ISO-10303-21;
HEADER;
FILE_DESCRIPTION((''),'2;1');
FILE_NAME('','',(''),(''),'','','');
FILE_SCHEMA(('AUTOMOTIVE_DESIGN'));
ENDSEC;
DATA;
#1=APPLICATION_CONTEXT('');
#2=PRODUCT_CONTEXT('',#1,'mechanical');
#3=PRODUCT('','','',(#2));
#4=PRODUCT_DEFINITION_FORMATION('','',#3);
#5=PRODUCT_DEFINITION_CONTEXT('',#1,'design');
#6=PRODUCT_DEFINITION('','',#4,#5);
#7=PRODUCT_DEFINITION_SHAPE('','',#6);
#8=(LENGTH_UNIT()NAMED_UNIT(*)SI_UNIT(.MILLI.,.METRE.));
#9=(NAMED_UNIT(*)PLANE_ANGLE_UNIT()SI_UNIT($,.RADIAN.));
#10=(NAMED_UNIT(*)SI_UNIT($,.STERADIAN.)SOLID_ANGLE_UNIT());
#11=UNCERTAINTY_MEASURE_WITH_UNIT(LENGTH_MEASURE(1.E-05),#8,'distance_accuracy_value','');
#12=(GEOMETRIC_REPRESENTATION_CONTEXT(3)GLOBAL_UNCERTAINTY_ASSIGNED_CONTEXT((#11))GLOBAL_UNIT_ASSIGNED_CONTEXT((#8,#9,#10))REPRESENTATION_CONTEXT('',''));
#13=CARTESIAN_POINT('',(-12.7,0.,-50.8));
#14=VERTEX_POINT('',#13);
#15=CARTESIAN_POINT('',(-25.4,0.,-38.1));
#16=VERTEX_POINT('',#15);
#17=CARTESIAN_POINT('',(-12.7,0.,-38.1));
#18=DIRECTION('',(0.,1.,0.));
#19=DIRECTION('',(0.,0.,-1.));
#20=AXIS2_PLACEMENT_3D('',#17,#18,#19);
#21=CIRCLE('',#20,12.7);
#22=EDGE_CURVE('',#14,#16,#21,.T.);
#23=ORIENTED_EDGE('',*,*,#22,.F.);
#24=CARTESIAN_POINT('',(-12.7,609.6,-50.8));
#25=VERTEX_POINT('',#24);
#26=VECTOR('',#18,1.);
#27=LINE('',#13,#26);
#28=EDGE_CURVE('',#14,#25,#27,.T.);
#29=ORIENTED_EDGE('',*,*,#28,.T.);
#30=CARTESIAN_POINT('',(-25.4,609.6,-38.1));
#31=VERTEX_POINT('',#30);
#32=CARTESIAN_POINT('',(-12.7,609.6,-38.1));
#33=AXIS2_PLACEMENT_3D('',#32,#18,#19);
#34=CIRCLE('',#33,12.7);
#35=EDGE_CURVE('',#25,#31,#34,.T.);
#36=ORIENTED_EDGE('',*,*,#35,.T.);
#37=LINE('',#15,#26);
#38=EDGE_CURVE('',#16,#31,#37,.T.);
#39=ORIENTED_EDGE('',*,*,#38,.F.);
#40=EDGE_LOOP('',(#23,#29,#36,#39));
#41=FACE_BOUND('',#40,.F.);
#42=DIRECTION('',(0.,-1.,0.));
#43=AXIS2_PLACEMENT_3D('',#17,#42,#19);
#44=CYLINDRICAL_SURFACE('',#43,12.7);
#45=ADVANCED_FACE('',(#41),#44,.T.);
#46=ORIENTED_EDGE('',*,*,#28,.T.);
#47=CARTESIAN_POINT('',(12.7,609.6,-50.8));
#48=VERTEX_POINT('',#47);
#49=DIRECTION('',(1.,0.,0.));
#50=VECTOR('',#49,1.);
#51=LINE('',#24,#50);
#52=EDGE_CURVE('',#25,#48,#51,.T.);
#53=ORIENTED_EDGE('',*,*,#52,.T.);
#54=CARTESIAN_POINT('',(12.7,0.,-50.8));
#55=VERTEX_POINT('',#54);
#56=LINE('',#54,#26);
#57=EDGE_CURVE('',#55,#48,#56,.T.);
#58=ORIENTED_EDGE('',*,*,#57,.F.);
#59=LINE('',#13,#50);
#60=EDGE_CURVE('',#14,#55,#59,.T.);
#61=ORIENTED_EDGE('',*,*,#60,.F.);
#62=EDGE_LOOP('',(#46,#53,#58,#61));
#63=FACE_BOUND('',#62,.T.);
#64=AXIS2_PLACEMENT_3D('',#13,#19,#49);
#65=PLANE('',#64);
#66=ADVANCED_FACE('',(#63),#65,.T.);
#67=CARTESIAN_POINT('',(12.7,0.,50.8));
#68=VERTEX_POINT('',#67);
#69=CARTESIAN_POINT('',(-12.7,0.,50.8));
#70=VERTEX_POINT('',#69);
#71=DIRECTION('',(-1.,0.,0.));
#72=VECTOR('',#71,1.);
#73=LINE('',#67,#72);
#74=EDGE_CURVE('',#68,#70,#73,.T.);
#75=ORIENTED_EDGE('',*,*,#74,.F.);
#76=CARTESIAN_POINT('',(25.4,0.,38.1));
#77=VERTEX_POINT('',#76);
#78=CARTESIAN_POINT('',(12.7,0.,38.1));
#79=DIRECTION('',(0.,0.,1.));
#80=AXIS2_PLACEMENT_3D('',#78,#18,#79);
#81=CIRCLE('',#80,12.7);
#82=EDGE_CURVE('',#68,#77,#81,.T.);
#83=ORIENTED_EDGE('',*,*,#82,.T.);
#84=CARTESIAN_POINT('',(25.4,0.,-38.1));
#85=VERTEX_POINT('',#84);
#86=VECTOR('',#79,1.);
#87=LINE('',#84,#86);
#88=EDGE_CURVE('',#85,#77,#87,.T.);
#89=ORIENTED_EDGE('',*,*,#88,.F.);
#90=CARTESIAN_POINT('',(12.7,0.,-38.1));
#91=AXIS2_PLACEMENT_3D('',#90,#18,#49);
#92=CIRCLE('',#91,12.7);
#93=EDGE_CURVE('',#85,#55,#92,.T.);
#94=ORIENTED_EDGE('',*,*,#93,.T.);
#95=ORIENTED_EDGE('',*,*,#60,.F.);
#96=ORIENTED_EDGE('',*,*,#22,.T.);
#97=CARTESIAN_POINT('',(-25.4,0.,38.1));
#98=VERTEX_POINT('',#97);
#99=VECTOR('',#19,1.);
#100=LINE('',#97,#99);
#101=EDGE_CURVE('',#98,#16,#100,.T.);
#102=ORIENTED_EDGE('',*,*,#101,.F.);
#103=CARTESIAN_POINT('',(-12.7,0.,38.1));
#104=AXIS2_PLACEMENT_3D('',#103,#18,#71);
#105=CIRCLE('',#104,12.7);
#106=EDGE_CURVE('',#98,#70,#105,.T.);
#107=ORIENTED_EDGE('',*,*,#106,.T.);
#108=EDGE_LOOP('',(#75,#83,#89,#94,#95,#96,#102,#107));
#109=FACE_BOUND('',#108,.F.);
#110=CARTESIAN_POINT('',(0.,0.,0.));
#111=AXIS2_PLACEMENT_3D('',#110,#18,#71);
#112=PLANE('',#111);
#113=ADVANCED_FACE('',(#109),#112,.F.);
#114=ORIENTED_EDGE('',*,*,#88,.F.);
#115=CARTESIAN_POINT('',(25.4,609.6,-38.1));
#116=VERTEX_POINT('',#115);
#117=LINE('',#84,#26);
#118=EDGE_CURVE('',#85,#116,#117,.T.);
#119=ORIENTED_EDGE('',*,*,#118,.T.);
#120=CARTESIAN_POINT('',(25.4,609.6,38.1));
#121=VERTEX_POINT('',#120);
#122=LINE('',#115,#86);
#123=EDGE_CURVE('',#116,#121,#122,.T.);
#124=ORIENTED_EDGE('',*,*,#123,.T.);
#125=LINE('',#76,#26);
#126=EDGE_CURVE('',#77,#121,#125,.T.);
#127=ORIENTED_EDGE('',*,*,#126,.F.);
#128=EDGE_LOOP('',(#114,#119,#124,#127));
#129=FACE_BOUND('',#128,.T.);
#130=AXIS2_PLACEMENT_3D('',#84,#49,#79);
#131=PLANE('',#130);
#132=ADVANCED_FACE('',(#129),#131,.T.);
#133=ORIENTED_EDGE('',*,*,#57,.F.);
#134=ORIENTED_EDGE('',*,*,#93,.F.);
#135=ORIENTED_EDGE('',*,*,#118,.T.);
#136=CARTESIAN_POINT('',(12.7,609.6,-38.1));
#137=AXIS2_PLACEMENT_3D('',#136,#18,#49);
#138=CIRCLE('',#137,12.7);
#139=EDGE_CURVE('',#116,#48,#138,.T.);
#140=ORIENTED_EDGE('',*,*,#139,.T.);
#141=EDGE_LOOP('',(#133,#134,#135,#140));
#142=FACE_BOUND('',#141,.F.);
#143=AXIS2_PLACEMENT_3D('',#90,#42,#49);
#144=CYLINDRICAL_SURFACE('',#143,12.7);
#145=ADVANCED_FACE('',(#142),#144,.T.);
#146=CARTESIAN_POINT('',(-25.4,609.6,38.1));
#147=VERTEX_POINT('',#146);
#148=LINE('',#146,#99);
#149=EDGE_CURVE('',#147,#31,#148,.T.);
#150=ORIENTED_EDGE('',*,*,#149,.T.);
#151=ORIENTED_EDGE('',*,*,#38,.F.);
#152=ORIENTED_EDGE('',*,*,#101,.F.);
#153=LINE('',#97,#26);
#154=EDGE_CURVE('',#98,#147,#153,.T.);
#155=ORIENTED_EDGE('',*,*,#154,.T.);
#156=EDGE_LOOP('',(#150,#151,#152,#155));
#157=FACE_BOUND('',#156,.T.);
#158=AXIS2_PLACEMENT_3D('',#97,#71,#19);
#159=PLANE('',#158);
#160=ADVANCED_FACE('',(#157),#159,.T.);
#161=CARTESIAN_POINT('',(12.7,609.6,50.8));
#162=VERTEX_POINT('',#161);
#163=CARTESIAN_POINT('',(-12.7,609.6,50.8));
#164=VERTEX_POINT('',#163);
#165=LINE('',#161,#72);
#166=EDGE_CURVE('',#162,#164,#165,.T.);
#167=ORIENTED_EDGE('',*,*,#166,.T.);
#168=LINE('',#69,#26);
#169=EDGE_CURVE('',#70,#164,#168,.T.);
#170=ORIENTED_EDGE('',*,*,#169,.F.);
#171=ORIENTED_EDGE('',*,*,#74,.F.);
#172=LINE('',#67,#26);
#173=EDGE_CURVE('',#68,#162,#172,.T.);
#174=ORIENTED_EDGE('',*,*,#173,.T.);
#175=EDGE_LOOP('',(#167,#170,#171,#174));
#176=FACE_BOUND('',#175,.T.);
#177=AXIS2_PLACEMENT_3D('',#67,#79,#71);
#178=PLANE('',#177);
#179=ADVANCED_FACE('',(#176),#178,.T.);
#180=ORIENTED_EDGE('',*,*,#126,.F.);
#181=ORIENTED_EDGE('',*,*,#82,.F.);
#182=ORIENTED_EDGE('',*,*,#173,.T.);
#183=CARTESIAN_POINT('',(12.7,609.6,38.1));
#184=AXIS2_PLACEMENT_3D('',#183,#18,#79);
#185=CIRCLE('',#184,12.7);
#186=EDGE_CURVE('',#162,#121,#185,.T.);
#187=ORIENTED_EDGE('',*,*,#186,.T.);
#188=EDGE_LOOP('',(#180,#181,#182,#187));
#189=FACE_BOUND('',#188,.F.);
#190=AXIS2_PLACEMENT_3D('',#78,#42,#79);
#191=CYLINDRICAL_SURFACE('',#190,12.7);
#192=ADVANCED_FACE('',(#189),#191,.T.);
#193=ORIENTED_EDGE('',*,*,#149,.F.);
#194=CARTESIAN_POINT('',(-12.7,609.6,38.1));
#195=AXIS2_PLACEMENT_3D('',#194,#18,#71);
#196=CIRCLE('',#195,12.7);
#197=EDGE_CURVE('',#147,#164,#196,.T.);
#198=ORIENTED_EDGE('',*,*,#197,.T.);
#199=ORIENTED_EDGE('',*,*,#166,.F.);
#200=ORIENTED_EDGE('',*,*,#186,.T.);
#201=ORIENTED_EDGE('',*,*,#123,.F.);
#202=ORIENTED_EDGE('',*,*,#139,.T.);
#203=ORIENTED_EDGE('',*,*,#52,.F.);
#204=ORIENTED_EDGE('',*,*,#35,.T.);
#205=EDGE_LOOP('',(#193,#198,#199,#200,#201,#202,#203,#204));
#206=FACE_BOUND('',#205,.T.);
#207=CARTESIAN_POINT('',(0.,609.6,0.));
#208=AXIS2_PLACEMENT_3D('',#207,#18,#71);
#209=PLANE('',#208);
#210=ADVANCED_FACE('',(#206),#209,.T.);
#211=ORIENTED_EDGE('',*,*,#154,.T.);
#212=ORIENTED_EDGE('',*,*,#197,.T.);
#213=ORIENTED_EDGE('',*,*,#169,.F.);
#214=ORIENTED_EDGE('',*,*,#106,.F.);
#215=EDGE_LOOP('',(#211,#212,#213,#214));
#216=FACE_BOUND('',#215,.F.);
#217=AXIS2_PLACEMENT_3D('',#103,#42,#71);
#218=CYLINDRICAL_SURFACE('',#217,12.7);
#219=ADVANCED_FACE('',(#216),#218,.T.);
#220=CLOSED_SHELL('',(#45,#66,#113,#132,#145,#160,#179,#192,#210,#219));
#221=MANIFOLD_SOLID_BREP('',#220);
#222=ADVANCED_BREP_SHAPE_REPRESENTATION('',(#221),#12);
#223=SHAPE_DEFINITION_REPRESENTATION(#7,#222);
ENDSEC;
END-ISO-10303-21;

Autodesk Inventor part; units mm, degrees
ref_plane "YZ Plane" through (0, 0, 0) normal (1, 0, 0) x (0, 1, 0)
ref_plane "XZ Plane" through (0, 0, 0) normal (0, 1, 0) x (-1, 0, 0)
ref_plane "XY Plane" through (0, 0, 0) normal (0, 0, 1) x (1, 0, 0)
sketch "Sketch1" plane through (0, 0, 0) normal (0, 1, 0) x (-1, 0, 0)
  line L0 (-12.7, 50.8) -> (12.7, 50.8)
  line L1 (25.4, 38.1) -> (25.4, -38.1)
  line L2 (12.7, -50.8) -> (-12.7, -50.8)
  line L3 (-25.4, -38.1) -> (-25.4, 38.1)
  line L4 (-25.4, 50.8) -> (25.4, -50.8) construction
  line L5 (25.4, 50.8) -> (-25.4, -50.8) construction
  arc A0 (25.4, 38.1) -> (12.7, 50.8) centre (12.7, 38.1) ccw
  arc A1 (-12.7, 50.8) -> (-25.4, 38.1) centre (-12.7, 38.1) ccw
  arc A2 (-25.4, -38.1) -> (-12.7, -50.8) centre (-12.7, -38.1) ccw
  arc A3 (12.7, -50.8) -> (25.4, -38.1) centre (12.7, -38.1) ccw
  point P0 (0, 0)
  dimension "d0" = 101.6
  dimension "d1" = 50.8
  dimension "d2" = 12.7
extrude "Extrusion1" add sketch "Sketch1" along normal blind 609.6
properties part number "Wood-2"
